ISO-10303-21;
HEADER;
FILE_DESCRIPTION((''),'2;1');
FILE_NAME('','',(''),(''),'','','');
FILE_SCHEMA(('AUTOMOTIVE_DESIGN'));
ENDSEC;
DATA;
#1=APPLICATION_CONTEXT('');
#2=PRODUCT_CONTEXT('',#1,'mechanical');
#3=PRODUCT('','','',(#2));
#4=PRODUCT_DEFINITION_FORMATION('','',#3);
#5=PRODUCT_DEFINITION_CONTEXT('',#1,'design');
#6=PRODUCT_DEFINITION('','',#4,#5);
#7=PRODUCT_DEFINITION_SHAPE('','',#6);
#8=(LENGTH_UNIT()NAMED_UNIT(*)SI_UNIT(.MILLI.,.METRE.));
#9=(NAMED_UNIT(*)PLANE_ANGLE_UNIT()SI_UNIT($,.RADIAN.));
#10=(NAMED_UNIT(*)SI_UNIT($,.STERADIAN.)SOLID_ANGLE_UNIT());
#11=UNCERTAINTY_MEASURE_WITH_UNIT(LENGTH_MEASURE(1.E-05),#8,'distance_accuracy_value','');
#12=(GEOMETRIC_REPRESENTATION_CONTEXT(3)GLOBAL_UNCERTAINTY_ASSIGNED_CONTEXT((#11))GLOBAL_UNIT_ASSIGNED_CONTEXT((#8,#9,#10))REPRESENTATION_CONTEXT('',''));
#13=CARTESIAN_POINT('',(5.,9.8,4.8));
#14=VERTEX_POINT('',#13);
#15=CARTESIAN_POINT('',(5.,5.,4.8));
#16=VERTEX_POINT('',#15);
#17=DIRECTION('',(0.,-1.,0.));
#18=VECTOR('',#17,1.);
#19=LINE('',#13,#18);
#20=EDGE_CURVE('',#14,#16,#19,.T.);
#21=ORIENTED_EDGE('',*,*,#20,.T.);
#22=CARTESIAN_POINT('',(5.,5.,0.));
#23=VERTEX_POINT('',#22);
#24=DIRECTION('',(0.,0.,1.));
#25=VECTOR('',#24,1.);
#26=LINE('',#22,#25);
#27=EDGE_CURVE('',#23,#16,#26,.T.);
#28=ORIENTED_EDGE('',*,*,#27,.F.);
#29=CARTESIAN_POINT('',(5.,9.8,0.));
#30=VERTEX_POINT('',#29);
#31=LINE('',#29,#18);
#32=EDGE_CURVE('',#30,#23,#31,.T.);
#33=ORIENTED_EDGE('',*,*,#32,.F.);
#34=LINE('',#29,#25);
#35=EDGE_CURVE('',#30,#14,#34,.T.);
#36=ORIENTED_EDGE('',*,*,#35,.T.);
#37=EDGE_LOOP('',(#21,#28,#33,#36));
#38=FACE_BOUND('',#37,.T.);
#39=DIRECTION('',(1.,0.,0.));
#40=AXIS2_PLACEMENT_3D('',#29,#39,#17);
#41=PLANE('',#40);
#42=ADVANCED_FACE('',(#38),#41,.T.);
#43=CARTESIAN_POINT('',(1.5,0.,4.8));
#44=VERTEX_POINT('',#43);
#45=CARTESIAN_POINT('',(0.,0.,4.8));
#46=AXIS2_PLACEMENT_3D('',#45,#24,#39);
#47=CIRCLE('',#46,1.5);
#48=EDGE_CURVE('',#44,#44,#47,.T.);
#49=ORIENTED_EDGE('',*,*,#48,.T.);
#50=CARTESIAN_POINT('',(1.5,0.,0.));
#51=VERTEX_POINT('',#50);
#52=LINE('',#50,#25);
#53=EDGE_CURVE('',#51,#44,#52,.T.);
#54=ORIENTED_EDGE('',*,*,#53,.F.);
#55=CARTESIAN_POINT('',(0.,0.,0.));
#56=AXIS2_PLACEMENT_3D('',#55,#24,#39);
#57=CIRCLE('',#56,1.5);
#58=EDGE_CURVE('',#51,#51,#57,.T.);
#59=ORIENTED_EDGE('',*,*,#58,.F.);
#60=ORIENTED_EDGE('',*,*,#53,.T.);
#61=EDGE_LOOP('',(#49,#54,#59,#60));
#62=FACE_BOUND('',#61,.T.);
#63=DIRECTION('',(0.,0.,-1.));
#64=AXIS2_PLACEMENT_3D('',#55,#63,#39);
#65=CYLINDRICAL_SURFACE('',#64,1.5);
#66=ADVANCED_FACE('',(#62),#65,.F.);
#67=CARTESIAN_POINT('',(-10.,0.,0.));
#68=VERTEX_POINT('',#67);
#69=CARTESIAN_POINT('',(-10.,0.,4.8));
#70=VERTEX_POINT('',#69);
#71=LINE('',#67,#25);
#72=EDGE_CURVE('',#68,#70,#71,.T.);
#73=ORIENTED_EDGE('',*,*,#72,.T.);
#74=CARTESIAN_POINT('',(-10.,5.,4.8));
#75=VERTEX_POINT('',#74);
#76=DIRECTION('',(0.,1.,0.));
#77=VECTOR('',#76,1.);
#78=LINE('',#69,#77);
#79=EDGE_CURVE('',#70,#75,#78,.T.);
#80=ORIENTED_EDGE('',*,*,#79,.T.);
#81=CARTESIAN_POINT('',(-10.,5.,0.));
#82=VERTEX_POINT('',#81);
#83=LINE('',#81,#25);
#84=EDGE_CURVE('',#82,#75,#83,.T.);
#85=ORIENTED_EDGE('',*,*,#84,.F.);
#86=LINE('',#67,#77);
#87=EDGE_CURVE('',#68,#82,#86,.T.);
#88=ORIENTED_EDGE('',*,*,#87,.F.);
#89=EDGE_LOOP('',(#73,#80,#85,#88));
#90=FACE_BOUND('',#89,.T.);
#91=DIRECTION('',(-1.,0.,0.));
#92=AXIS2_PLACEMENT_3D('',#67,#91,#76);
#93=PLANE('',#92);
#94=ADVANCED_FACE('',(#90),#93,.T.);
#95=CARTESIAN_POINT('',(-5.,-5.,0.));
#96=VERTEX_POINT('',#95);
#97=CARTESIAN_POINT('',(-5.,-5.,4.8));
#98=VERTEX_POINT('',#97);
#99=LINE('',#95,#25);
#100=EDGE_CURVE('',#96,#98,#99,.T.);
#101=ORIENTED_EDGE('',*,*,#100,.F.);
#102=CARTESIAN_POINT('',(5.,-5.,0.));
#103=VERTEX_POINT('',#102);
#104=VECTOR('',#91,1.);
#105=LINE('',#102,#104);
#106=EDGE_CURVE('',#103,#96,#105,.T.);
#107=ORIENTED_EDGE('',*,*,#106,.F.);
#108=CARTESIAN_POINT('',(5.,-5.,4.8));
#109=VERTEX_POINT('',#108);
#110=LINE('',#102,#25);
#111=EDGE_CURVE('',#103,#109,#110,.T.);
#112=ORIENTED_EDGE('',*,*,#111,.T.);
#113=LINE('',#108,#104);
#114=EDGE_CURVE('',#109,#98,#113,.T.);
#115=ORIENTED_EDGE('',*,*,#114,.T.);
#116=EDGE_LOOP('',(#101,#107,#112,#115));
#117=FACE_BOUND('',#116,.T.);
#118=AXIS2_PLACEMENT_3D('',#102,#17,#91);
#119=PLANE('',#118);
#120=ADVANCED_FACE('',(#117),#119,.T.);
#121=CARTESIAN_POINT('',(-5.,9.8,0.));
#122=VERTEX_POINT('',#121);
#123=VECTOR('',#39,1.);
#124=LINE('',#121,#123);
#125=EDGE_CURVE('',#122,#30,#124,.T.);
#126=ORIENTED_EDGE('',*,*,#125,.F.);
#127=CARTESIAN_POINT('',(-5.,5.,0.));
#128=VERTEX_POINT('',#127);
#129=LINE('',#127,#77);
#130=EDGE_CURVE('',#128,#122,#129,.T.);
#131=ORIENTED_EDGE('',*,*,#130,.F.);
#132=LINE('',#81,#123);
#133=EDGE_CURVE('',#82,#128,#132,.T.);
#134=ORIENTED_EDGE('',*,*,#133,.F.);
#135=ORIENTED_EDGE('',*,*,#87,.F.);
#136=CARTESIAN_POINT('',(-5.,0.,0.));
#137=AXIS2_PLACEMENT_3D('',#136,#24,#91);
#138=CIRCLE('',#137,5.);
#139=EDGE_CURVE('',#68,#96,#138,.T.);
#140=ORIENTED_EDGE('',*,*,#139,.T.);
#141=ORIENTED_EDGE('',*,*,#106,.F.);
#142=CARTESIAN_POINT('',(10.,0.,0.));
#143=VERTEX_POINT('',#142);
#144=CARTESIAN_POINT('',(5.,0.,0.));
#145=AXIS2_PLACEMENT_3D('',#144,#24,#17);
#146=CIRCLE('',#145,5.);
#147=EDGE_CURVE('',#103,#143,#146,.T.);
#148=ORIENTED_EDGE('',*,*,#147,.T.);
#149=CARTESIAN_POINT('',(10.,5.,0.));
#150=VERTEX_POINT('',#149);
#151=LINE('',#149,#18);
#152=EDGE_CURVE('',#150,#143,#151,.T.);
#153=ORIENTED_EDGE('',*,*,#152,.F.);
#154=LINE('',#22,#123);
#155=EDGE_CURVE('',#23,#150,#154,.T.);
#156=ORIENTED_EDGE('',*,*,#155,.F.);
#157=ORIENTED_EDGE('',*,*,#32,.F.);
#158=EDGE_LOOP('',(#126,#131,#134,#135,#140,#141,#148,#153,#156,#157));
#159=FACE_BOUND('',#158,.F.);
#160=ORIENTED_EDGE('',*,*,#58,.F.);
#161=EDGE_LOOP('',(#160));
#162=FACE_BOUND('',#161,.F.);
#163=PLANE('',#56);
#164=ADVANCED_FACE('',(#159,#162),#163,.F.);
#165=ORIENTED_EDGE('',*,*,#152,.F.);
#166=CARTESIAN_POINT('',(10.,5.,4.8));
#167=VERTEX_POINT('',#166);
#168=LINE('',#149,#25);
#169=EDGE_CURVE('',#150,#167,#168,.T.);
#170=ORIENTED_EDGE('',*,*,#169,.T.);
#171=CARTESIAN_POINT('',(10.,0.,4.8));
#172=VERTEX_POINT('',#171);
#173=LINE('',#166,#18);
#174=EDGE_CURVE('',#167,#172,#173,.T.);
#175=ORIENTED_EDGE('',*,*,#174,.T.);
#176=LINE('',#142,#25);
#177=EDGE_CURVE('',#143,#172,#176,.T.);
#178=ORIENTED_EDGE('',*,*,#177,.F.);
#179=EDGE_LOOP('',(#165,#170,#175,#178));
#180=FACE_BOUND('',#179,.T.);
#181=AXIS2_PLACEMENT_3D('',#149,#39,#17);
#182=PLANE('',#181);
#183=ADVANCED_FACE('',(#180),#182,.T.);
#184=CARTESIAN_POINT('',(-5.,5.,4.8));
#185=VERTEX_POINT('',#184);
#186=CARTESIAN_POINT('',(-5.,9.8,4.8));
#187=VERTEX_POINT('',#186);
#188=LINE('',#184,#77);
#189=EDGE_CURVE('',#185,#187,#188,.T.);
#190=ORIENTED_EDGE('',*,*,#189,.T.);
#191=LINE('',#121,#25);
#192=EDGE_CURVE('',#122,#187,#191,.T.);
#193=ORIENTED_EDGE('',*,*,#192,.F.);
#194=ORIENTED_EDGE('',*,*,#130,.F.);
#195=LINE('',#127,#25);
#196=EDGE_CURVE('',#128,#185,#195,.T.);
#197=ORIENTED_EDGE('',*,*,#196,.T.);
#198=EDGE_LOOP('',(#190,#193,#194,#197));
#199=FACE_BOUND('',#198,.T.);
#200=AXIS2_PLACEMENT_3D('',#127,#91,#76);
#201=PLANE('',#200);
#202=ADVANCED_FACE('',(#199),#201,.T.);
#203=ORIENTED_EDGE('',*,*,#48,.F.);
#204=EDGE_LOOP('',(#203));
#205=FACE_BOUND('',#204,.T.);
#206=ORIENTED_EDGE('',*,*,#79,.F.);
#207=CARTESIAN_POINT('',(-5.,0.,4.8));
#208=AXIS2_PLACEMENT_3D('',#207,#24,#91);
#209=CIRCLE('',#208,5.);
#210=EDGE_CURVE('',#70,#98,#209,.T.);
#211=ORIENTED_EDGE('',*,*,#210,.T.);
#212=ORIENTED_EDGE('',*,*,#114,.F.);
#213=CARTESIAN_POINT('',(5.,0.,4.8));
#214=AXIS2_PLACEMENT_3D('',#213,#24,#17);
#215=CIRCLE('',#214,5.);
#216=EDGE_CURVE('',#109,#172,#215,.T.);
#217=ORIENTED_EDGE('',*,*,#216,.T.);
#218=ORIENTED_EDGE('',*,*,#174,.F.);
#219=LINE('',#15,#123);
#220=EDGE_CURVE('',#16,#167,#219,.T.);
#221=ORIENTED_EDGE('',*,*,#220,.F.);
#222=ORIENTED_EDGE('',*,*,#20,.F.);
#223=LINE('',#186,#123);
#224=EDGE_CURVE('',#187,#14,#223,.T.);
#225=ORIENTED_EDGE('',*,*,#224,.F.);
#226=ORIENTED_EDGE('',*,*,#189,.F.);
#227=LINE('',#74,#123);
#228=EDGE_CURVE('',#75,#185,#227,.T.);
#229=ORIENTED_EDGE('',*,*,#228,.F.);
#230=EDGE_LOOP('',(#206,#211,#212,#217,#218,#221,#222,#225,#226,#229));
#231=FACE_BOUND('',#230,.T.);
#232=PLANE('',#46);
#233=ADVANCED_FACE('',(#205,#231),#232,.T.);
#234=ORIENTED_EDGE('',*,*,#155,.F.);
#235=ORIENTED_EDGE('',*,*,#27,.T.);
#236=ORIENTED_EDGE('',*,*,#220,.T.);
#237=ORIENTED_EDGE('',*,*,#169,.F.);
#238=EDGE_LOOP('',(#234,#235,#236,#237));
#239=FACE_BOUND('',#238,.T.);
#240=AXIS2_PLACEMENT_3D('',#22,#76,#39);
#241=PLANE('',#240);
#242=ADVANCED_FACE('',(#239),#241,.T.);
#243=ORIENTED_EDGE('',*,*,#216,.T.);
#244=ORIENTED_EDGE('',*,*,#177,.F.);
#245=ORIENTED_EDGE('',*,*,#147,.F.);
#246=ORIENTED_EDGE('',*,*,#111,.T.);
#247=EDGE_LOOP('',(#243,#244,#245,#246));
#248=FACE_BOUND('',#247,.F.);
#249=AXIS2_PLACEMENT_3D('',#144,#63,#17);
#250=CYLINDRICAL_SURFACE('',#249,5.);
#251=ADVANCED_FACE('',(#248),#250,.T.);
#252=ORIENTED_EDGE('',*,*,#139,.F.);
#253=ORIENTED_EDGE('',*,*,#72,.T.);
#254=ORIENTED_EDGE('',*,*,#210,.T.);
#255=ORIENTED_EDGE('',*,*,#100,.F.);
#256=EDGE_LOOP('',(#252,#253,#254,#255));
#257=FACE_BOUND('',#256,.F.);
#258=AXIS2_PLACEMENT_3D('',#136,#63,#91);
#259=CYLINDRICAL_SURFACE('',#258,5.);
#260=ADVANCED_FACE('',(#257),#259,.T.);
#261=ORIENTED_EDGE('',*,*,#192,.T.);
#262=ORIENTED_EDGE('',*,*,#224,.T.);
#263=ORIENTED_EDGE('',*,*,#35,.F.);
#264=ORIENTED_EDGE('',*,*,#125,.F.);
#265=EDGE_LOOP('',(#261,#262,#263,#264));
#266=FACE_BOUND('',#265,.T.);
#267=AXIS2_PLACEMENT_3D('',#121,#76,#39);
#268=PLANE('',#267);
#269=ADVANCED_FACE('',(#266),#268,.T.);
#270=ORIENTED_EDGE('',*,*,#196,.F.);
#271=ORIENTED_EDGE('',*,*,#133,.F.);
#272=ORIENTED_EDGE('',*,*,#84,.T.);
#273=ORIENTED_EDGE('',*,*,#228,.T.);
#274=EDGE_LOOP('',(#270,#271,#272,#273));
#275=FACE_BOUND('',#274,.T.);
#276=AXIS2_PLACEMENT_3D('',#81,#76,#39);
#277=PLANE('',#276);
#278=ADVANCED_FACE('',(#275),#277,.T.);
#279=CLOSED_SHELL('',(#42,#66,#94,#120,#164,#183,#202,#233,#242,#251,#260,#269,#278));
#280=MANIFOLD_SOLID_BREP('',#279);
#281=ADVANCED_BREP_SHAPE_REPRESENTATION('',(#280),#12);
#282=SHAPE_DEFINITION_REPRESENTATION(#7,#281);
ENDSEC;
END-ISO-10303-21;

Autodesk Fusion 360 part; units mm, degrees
sketch "Sketch1" plane through (0, 0, 0) normal (0, 0, 1) x (1, 0, 0)
  line L0 (-5, 9.8) -> (5, 9.8)
  line L1 (5, 9.8) -> (5, 5)
  line L2 (5, 5) -> (10, 5)
  line L3 (10, 5) -> (10, 0)
  line L4 (5, -5) -> (-5, -5)
  line L5 (-10, 0) -> (-10, 5)
  line L6 (-10, 5) -> (-5, 5)
  line L7 (-5, 5) -> (-5, 9.8)
  line L8 (0, 0) -> (0, 9.8) construction
  line L9 (0, 0) -> (10, 0) construction
  line L10 (0, 0) -> (0, -5) construction
  line L11 (-5, 5) -> (-5, 0) construction
  line L12 (0, 0) -> (-5, 0) construction
  circle A0 centre (0, 0) radius 1.5
  line L13 (-10, -5) -> (-10, 0) construction
  line L14 (-5, -5) -> (-10, -5) construction
  arc A1 (-5, -5) -> (-10, 0) centre (-5, 0) ccw construction
  arc A2 (-10, 0) -> (-5, -5) centre (-5, 0) ccw
  line L15 (10, -5) -> (5, -5) construction
  line L16 (10, 0) -> (10, -5) construction
  arc A3 (10, 0) -> (5, -5) centre (5, 0) ccw construction
  arc A4 (5, -5) -> (10, 0) centre (5, 0) ccw
  point P0 (0, 9.8)
  point P1 (0, -5)
  point P2 (5, 0)
  dimension "d1" = 10
  dimension "d2" = 5
  dimension "d3" = 4.8
  dimension "d5" = 3
  dimension "d6" = 10
extrude "Extrude1" add sketch "Sketch1" along normal blind 4.8
